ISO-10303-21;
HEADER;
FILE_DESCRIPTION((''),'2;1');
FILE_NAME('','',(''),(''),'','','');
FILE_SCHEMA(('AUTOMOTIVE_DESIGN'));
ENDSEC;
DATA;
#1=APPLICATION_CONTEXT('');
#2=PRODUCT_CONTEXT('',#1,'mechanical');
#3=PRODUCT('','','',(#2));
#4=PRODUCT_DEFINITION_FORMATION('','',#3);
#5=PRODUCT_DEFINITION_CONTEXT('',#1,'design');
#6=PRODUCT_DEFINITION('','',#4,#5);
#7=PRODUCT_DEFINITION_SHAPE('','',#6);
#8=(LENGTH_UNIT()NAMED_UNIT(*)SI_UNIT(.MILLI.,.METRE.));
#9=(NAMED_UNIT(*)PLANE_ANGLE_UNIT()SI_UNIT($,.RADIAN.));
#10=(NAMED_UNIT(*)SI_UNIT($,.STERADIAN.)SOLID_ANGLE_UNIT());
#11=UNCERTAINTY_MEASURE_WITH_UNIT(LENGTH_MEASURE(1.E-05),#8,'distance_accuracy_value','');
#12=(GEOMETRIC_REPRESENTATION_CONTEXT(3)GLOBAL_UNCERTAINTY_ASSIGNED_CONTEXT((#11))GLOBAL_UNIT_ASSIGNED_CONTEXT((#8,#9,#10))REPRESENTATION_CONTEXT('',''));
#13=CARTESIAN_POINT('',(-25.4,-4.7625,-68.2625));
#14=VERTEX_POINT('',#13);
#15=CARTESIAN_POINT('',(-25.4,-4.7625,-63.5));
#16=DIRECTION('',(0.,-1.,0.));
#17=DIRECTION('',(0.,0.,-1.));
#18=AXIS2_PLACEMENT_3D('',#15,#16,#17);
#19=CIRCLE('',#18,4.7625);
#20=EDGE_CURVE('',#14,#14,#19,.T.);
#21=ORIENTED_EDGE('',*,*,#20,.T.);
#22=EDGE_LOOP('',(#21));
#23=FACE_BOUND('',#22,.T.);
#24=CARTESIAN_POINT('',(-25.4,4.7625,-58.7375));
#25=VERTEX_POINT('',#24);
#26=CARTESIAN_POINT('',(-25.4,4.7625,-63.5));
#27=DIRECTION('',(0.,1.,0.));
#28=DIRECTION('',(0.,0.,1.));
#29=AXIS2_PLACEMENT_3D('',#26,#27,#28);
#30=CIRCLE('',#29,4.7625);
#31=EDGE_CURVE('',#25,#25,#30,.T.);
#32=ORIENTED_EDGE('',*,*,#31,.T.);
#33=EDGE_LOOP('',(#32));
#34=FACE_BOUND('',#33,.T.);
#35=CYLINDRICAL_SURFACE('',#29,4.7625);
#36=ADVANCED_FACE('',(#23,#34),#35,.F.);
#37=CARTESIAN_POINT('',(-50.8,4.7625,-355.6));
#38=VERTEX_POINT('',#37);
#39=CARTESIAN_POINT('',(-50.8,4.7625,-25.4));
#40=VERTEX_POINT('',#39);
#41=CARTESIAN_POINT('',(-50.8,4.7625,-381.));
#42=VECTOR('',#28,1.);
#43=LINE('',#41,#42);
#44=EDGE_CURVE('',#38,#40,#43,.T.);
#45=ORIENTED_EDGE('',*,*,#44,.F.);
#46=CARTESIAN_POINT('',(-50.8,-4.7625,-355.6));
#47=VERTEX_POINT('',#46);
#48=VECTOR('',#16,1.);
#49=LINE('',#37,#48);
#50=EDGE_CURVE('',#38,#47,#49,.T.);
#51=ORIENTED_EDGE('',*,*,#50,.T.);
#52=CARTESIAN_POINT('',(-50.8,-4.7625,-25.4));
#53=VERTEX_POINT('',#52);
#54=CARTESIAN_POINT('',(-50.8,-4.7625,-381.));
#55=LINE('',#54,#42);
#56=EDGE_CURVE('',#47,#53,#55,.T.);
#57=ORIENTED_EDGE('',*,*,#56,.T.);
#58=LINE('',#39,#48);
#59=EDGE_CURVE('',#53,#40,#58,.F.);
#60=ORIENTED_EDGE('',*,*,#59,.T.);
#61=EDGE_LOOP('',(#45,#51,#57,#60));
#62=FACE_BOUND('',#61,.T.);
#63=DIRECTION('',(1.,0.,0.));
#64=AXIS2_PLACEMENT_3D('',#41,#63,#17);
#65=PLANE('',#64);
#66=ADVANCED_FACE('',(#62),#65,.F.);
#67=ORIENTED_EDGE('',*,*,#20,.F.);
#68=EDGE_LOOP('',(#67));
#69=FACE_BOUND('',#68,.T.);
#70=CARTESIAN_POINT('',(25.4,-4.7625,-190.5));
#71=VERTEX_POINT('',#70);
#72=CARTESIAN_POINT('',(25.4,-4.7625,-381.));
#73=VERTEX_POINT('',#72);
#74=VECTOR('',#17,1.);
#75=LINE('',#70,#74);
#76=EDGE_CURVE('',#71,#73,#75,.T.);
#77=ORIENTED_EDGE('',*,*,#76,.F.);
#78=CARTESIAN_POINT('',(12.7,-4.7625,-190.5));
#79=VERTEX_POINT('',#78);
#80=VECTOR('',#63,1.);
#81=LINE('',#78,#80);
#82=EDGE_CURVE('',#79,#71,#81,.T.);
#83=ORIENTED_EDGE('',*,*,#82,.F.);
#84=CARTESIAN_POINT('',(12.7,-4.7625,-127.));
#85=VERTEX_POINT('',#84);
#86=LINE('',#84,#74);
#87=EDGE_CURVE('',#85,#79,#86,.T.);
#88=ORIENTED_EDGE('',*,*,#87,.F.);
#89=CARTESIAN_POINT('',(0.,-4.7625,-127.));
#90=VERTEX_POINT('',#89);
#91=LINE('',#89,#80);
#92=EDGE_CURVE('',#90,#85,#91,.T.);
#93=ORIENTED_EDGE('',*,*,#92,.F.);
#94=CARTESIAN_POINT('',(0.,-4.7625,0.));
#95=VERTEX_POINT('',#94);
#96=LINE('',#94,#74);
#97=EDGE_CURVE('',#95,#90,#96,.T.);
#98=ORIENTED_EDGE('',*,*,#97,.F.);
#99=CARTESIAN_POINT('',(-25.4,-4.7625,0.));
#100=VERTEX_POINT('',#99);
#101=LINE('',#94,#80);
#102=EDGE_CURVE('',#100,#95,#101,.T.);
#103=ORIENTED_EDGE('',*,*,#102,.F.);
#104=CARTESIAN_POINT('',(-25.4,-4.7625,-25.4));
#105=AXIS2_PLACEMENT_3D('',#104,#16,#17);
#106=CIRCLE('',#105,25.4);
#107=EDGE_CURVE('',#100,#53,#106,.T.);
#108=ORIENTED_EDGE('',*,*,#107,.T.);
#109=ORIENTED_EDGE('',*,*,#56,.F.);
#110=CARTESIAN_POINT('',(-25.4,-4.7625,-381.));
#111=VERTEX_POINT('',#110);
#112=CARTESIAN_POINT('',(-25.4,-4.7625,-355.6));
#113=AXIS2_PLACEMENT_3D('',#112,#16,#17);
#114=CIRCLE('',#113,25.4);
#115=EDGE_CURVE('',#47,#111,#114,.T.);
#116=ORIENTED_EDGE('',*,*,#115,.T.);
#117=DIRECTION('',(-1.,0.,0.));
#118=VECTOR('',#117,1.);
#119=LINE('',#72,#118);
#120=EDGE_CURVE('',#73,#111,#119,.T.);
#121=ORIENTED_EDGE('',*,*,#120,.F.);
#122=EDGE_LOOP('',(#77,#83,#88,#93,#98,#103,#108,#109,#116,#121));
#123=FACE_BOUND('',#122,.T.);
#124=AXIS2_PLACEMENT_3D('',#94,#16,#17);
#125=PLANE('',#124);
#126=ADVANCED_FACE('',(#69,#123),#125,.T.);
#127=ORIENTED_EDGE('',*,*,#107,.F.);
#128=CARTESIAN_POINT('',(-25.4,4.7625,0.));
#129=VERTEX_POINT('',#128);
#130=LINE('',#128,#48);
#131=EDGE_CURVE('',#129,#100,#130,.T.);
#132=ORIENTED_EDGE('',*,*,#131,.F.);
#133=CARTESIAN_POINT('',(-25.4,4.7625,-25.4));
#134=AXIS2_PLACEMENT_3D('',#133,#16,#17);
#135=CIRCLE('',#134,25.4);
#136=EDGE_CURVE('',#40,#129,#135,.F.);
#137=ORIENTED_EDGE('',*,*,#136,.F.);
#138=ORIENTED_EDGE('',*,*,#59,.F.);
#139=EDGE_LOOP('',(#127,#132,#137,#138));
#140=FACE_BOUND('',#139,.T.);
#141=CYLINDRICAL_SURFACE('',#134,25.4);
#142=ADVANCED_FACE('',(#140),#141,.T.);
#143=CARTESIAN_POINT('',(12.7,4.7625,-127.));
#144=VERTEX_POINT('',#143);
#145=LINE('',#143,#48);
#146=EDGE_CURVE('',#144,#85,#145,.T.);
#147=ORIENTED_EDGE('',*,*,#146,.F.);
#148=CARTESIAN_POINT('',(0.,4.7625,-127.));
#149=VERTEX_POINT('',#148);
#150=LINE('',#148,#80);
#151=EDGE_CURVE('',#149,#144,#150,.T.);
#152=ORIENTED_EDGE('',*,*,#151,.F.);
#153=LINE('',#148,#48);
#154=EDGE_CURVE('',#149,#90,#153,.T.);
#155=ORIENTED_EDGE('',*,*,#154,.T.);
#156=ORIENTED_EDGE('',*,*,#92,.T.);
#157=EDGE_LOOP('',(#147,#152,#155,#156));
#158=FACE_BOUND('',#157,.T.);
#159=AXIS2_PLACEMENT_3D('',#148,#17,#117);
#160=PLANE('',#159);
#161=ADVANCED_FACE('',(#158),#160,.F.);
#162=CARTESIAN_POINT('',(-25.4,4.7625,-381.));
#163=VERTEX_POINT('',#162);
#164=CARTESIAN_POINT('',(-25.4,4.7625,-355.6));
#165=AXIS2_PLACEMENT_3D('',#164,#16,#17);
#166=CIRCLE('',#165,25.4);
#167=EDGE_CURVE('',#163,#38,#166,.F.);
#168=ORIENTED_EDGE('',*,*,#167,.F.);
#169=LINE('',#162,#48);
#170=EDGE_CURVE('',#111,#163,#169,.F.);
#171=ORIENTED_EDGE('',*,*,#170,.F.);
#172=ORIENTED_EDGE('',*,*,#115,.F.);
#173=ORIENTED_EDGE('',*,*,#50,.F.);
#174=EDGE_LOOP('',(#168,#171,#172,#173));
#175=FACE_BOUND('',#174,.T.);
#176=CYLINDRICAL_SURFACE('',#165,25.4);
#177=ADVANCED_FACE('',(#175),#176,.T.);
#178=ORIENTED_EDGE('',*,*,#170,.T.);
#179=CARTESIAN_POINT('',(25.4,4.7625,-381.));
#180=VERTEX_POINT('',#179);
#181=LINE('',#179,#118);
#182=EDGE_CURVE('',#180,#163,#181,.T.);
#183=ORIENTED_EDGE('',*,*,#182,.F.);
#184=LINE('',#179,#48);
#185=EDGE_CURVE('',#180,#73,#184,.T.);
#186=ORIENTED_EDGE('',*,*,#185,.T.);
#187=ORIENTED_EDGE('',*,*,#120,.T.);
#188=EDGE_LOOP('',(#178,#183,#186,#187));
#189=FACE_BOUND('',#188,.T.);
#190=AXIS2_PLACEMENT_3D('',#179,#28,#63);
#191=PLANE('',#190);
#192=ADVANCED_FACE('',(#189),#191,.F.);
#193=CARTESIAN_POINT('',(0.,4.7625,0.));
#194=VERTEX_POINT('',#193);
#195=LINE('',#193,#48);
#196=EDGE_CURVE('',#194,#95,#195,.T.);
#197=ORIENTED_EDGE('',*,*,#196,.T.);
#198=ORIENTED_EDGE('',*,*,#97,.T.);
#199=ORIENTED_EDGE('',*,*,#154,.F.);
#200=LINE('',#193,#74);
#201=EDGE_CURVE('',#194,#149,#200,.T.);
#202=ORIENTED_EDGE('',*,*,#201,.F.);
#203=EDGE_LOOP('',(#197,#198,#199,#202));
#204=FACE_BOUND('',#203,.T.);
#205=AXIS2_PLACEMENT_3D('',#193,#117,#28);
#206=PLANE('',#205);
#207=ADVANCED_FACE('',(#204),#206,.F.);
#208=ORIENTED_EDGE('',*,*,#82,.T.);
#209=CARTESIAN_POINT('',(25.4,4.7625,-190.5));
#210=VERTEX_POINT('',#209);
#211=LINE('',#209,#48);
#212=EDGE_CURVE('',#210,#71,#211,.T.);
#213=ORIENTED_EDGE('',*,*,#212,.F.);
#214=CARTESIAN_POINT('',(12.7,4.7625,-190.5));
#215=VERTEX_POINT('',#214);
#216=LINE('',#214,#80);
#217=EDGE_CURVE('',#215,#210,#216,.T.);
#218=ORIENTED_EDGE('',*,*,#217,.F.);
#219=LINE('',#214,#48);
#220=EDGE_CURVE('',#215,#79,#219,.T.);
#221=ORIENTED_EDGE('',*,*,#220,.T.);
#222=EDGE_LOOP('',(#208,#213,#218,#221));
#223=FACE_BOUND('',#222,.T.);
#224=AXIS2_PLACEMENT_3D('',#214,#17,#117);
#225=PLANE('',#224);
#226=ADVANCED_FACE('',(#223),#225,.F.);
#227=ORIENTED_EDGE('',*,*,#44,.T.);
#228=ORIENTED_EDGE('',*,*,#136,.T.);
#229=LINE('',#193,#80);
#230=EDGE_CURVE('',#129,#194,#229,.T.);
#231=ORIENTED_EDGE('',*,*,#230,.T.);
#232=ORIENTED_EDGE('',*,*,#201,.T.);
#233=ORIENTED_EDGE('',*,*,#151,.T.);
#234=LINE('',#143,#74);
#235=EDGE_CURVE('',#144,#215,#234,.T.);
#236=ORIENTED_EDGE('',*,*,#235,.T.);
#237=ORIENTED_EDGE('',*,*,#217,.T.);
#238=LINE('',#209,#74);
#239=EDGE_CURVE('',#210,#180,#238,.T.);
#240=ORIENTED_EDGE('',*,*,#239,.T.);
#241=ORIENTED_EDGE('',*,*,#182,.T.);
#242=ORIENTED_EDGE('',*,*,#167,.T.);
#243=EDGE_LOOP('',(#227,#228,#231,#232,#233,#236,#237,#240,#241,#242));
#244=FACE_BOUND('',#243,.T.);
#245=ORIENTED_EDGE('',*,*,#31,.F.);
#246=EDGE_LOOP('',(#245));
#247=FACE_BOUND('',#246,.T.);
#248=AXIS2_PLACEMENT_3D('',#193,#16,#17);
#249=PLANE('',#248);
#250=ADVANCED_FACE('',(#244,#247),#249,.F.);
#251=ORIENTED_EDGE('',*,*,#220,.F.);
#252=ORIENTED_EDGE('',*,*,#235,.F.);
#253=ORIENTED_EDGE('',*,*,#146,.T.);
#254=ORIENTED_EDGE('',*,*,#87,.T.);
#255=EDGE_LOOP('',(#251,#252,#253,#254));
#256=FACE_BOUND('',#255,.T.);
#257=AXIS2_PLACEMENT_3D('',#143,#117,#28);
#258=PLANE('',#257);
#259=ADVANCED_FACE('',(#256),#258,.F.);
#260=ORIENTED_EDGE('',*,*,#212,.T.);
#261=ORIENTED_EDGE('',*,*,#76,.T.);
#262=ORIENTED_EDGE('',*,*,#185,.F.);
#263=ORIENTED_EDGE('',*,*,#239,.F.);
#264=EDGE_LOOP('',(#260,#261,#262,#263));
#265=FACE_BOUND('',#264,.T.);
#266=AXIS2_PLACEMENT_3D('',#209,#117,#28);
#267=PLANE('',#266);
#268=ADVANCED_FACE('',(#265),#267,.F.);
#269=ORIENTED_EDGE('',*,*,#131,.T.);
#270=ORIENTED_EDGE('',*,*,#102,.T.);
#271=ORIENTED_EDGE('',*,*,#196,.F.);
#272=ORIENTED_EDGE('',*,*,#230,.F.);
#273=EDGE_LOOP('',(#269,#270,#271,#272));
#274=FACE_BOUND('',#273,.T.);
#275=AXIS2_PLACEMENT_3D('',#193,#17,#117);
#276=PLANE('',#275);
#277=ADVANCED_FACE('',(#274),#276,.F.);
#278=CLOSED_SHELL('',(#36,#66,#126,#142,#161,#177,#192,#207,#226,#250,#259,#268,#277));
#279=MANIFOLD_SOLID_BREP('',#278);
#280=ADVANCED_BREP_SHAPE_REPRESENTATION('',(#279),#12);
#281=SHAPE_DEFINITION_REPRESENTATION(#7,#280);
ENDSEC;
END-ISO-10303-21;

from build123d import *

# Parameters (mm, degrees)
BOSS_EXTRUDE1_DEPTH              = 4.7625
FILLET1_R                        = 25.4
F_3_8_0_375_DIAMETER_HOLE1_D     = 9.525
F_3_8_0_375_DIAMETER_HOLE1_DEPTH = 11.684
F_3_8_0_375_DIAMETER_HOLE1_TIP   = 2.861598698


with BuildPart() as part:
    # Sketch1 → Boss-Extrude1 (new body, symmetric)
    with BuildSketch(Plane(origin=(0, 0, 0), x_dir=(1, 0, 0), z_dir=(0, 1, 0))):
        Polygon((0, 0), (-50.8, 0), (-50.8, 381), (25.4, 381), (25.4, 190.5), (12.7, 190.5), (12.7, 127), (0, 127), align=None)
    extrude(amount=BOSS_EXTRUDE1_DEPTH, both=True)

    # Fillet1
    fillet1_edges = [part.edges().sort_by_distance(p)[0] for p in [
        (-50.8, 0, 0),
        (-50.8, 0, -381),
    ]]
    fillet(fillet1_edges, radius=FILLET1_R)

    # 3/8 (0.375) Diameter Hole1
    with Locations(Plane(origin=(0, 4.7625, 0), x_dir=(1, 0, 0), z_dir=(0, 1, 0))):
        with Locations((-25.4, 63.5)):
            Hole(F_3_8_0_375_DIAMETER_HOLE1_D / 2, depth=F_3_8_0_375_DIAMETER_HOLE1_DEPTH)
            with Locations((0, 0, -(F_3_8_0_375_DIAMETER_HOLE1_DEPTH + F_3_8_0_375_DIAMETER_HOLE1_TIP / 2))):  # 118° drill point
                Cone(0, F_3_8_0_375_DIAMETER_HOLE1_D / 2, F_3_8_0_375_DIAMETER_HOLE1_TIP, mode=Mode.SUBTRACT)


solid = part.part
